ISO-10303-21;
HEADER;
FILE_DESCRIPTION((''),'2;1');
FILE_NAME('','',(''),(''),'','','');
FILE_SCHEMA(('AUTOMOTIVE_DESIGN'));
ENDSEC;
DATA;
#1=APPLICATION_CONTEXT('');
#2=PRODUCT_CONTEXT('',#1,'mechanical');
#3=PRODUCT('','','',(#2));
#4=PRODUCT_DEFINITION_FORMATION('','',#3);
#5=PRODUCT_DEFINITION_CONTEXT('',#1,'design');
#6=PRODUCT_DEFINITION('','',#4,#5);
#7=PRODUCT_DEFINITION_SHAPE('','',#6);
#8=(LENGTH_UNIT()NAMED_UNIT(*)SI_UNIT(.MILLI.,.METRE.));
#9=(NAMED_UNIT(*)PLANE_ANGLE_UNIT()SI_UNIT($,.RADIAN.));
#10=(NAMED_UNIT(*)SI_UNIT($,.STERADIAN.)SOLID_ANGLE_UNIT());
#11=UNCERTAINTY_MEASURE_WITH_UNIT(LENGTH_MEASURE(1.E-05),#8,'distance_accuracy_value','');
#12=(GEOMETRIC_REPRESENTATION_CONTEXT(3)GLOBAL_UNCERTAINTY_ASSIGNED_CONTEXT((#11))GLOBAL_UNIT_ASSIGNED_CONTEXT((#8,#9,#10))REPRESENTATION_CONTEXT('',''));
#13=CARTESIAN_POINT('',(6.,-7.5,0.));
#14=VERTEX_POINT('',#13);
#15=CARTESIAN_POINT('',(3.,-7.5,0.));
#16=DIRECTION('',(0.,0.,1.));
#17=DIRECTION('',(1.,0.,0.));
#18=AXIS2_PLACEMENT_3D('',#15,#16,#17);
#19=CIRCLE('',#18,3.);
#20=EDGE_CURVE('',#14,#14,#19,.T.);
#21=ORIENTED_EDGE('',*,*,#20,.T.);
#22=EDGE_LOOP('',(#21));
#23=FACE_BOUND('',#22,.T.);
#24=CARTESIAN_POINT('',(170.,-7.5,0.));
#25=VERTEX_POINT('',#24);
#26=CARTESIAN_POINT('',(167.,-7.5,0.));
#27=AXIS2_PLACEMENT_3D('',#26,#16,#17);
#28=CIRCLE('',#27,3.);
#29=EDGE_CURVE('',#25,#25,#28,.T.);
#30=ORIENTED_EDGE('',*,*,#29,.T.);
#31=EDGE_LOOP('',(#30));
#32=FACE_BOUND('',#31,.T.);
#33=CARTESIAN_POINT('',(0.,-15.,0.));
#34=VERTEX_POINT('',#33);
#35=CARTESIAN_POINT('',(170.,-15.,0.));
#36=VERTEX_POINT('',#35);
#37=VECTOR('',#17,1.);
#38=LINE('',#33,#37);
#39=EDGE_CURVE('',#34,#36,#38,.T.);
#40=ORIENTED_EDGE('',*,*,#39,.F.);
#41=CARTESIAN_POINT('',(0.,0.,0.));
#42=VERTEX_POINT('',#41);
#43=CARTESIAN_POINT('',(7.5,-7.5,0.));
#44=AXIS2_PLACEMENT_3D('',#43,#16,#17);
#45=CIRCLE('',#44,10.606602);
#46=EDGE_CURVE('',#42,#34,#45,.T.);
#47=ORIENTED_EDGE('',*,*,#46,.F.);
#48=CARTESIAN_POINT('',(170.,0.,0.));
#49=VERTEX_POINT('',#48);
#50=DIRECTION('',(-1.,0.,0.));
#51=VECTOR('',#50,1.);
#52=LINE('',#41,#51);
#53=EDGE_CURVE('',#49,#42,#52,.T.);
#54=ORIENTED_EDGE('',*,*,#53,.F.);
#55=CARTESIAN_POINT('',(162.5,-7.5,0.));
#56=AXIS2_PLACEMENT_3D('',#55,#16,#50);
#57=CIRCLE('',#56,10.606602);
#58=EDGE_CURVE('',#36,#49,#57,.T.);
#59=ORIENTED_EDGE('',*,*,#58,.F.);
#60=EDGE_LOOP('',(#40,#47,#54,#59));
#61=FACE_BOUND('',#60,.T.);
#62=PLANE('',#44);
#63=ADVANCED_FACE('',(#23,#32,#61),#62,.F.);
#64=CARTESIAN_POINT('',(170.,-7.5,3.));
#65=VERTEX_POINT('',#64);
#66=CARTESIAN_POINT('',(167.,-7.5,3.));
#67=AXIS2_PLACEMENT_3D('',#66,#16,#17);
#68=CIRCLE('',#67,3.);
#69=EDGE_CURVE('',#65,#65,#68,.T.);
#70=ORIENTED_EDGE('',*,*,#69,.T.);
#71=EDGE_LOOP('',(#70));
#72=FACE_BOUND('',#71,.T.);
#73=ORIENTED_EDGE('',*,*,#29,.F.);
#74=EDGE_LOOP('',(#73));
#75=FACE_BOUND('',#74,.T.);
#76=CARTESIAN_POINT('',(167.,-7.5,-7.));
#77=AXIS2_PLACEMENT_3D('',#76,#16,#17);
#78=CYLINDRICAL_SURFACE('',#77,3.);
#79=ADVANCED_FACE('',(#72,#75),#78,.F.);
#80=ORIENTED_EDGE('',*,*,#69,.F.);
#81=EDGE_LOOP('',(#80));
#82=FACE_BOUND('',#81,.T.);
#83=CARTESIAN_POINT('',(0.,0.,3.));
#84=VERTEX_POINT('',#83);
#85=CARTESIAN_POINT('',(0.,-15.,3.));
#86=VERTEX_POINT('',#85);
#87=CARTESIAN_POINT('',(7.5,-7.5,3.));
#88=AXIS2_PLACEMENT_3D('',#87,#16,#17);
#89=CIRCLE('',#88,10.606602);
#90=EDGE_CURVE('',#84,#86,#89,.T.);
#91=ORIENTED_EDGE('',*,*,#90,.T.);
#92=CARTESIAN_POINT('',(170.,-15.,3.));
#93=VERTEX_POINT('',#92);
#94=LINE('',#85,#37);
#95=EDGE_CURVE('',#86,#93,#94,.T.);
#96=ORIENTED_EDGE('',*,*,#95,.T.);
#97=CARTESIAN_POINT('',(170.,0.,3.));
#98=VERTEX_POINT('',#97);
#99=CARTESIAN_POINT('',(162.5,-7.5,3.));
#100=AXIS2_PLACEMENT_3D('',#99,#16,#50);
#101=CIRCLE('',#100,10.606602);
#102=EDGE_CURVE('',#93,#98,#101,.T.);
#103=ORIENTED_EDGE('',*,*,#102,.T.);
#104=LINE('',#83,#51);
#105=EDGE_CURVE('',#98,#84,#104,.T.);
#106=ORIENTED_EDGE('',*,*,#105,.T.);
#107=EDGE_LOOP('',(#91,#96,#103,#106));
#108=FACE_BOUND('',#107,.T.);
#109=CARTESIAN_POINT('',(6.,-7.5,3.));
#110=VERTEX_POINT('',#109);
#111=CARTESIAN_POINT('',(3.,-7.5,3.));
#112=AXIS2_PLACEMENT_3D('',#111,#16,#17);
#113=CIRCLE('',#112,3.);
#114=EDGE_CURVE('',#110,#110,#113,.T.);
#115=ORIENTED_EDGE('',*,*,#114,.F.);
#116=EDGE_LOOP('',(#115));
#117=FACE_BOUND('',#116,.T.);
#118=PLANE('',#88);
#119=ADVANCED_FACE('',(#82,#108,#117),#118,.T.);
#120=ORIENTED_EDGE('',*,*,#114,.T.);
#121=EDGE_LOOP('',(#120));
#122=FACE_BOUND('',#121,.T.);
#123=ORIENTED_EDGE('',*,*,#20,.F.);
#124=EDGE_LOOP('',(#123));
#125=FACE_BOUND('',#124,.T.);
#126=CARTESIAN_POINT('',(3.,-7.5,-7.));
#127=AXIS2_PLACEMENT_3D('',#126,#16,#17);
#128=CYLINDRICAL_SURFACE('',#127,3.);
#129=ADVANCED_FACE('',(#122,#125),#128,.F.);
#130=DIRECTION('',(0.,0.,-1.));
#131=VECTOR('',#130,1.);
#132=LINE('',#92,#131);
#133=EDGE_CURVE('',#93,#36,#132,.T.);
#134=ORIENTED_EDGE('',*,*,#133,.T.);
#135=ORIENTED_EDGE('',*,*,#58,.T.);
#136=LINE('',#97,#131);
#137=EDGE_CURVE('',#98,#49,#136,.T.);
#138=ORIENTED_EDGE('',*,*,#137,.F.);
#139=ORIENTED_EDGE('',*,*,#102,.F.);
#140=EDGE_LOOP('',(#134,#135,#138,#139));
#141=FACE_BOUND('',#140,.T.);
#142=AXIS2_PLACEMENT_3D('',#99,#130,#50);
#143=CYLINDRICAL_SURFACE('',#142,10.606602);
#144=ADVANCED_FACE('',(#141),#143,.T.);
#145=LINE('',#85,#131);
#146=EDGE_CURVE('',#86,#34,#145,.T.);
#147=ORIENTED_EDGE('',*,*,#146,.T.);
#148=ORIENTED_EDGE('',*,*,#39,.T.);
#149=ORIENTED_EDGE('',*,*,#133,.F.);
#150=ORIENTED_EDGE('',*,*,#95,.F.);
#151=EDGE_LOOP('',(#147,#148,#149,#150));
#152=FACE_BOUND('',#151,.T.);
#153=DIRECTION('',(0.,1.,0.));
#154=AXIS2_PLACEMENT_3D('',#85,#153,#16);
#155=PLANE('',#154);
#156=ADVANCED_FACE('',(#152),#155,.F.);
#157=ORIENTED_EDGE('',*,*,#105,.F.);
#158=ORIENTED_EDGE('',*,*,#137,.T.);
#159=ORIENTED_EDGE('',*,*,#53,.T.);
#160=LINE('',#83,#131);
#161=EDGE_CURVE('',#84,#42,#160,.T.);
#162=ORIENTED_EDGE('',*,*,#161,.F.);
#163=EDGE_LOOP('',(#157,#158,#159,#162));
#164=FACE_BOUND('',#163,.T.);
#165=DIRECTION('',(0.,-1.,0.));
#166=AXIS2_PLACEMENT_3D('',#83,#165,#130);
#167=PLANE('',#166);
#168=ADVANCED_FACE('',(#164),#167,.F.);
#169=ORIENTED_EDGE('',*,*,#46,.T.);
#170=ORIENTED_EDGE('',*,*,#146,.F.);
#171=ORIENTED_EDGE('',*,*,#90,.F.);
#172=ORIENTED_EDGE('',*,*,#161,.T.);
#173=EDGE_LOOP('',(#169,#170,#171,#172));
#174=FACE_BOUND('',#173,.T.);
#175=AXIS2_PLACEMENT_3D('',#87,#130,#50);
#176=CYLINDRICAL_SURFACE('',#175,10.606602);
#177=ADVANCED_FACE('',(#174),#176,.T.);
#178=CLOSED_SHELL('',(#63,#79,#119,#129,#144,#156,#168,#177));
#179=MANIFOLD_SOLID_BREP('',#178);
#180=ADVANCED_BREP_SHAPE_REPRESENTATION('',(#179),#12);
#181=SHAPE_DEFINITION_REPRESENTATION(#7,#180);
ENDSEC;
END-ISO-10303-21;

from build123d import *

# Parameters (mm, degrees)
BOSS_EXTRUDE1_DEPTH = 3
SKETCH2_R           = 3
CUT_EXTRUDE1_DEPTH  = 10
SKETCH3_R           = 3
CUT_EXTRUDE2_DEPTH  = 10


with BuildPart() as part:
    # Sketch1 → Boss-Extrude1 (new body)
    with BuildSketch(Plane.XY):
        with BuildLine():
            Line((0, 0), (170, 0))
            ThreePointArc((170, 0), (173.106601718, -7.5), (170, -15))
            Line((170, -15), (0, -15))
            ThreePointArc((0, -15), (-3.106601718, -7.5), (0, 0))
        make_face()
    extrude(amount=BOSS_EXTRUDE1_DEPTH)

    # Sketch2 → Cut-Extrude1 (cut)
    with BuildSketch(Plane.XY.offset(3)):
        with Locations((3, -7.5)):
            Circle(SKETCH2_R)
    extrude(amount=-CUT_EXTRUDE1_DEPTH, mode=Mode.SUBTRACT)

    # Sketch3 → Cut-Extrude2 (cut)
    with BuildSketch(Plane.XY.offset(3)):
        with Locations((167, -7.5)):
            Circle(SKETCH3_R)
    extrude(amount=-CUT_EXTRUDE2_DEPTH, mode=Mode.SUBTRACT)


solid = part.part
